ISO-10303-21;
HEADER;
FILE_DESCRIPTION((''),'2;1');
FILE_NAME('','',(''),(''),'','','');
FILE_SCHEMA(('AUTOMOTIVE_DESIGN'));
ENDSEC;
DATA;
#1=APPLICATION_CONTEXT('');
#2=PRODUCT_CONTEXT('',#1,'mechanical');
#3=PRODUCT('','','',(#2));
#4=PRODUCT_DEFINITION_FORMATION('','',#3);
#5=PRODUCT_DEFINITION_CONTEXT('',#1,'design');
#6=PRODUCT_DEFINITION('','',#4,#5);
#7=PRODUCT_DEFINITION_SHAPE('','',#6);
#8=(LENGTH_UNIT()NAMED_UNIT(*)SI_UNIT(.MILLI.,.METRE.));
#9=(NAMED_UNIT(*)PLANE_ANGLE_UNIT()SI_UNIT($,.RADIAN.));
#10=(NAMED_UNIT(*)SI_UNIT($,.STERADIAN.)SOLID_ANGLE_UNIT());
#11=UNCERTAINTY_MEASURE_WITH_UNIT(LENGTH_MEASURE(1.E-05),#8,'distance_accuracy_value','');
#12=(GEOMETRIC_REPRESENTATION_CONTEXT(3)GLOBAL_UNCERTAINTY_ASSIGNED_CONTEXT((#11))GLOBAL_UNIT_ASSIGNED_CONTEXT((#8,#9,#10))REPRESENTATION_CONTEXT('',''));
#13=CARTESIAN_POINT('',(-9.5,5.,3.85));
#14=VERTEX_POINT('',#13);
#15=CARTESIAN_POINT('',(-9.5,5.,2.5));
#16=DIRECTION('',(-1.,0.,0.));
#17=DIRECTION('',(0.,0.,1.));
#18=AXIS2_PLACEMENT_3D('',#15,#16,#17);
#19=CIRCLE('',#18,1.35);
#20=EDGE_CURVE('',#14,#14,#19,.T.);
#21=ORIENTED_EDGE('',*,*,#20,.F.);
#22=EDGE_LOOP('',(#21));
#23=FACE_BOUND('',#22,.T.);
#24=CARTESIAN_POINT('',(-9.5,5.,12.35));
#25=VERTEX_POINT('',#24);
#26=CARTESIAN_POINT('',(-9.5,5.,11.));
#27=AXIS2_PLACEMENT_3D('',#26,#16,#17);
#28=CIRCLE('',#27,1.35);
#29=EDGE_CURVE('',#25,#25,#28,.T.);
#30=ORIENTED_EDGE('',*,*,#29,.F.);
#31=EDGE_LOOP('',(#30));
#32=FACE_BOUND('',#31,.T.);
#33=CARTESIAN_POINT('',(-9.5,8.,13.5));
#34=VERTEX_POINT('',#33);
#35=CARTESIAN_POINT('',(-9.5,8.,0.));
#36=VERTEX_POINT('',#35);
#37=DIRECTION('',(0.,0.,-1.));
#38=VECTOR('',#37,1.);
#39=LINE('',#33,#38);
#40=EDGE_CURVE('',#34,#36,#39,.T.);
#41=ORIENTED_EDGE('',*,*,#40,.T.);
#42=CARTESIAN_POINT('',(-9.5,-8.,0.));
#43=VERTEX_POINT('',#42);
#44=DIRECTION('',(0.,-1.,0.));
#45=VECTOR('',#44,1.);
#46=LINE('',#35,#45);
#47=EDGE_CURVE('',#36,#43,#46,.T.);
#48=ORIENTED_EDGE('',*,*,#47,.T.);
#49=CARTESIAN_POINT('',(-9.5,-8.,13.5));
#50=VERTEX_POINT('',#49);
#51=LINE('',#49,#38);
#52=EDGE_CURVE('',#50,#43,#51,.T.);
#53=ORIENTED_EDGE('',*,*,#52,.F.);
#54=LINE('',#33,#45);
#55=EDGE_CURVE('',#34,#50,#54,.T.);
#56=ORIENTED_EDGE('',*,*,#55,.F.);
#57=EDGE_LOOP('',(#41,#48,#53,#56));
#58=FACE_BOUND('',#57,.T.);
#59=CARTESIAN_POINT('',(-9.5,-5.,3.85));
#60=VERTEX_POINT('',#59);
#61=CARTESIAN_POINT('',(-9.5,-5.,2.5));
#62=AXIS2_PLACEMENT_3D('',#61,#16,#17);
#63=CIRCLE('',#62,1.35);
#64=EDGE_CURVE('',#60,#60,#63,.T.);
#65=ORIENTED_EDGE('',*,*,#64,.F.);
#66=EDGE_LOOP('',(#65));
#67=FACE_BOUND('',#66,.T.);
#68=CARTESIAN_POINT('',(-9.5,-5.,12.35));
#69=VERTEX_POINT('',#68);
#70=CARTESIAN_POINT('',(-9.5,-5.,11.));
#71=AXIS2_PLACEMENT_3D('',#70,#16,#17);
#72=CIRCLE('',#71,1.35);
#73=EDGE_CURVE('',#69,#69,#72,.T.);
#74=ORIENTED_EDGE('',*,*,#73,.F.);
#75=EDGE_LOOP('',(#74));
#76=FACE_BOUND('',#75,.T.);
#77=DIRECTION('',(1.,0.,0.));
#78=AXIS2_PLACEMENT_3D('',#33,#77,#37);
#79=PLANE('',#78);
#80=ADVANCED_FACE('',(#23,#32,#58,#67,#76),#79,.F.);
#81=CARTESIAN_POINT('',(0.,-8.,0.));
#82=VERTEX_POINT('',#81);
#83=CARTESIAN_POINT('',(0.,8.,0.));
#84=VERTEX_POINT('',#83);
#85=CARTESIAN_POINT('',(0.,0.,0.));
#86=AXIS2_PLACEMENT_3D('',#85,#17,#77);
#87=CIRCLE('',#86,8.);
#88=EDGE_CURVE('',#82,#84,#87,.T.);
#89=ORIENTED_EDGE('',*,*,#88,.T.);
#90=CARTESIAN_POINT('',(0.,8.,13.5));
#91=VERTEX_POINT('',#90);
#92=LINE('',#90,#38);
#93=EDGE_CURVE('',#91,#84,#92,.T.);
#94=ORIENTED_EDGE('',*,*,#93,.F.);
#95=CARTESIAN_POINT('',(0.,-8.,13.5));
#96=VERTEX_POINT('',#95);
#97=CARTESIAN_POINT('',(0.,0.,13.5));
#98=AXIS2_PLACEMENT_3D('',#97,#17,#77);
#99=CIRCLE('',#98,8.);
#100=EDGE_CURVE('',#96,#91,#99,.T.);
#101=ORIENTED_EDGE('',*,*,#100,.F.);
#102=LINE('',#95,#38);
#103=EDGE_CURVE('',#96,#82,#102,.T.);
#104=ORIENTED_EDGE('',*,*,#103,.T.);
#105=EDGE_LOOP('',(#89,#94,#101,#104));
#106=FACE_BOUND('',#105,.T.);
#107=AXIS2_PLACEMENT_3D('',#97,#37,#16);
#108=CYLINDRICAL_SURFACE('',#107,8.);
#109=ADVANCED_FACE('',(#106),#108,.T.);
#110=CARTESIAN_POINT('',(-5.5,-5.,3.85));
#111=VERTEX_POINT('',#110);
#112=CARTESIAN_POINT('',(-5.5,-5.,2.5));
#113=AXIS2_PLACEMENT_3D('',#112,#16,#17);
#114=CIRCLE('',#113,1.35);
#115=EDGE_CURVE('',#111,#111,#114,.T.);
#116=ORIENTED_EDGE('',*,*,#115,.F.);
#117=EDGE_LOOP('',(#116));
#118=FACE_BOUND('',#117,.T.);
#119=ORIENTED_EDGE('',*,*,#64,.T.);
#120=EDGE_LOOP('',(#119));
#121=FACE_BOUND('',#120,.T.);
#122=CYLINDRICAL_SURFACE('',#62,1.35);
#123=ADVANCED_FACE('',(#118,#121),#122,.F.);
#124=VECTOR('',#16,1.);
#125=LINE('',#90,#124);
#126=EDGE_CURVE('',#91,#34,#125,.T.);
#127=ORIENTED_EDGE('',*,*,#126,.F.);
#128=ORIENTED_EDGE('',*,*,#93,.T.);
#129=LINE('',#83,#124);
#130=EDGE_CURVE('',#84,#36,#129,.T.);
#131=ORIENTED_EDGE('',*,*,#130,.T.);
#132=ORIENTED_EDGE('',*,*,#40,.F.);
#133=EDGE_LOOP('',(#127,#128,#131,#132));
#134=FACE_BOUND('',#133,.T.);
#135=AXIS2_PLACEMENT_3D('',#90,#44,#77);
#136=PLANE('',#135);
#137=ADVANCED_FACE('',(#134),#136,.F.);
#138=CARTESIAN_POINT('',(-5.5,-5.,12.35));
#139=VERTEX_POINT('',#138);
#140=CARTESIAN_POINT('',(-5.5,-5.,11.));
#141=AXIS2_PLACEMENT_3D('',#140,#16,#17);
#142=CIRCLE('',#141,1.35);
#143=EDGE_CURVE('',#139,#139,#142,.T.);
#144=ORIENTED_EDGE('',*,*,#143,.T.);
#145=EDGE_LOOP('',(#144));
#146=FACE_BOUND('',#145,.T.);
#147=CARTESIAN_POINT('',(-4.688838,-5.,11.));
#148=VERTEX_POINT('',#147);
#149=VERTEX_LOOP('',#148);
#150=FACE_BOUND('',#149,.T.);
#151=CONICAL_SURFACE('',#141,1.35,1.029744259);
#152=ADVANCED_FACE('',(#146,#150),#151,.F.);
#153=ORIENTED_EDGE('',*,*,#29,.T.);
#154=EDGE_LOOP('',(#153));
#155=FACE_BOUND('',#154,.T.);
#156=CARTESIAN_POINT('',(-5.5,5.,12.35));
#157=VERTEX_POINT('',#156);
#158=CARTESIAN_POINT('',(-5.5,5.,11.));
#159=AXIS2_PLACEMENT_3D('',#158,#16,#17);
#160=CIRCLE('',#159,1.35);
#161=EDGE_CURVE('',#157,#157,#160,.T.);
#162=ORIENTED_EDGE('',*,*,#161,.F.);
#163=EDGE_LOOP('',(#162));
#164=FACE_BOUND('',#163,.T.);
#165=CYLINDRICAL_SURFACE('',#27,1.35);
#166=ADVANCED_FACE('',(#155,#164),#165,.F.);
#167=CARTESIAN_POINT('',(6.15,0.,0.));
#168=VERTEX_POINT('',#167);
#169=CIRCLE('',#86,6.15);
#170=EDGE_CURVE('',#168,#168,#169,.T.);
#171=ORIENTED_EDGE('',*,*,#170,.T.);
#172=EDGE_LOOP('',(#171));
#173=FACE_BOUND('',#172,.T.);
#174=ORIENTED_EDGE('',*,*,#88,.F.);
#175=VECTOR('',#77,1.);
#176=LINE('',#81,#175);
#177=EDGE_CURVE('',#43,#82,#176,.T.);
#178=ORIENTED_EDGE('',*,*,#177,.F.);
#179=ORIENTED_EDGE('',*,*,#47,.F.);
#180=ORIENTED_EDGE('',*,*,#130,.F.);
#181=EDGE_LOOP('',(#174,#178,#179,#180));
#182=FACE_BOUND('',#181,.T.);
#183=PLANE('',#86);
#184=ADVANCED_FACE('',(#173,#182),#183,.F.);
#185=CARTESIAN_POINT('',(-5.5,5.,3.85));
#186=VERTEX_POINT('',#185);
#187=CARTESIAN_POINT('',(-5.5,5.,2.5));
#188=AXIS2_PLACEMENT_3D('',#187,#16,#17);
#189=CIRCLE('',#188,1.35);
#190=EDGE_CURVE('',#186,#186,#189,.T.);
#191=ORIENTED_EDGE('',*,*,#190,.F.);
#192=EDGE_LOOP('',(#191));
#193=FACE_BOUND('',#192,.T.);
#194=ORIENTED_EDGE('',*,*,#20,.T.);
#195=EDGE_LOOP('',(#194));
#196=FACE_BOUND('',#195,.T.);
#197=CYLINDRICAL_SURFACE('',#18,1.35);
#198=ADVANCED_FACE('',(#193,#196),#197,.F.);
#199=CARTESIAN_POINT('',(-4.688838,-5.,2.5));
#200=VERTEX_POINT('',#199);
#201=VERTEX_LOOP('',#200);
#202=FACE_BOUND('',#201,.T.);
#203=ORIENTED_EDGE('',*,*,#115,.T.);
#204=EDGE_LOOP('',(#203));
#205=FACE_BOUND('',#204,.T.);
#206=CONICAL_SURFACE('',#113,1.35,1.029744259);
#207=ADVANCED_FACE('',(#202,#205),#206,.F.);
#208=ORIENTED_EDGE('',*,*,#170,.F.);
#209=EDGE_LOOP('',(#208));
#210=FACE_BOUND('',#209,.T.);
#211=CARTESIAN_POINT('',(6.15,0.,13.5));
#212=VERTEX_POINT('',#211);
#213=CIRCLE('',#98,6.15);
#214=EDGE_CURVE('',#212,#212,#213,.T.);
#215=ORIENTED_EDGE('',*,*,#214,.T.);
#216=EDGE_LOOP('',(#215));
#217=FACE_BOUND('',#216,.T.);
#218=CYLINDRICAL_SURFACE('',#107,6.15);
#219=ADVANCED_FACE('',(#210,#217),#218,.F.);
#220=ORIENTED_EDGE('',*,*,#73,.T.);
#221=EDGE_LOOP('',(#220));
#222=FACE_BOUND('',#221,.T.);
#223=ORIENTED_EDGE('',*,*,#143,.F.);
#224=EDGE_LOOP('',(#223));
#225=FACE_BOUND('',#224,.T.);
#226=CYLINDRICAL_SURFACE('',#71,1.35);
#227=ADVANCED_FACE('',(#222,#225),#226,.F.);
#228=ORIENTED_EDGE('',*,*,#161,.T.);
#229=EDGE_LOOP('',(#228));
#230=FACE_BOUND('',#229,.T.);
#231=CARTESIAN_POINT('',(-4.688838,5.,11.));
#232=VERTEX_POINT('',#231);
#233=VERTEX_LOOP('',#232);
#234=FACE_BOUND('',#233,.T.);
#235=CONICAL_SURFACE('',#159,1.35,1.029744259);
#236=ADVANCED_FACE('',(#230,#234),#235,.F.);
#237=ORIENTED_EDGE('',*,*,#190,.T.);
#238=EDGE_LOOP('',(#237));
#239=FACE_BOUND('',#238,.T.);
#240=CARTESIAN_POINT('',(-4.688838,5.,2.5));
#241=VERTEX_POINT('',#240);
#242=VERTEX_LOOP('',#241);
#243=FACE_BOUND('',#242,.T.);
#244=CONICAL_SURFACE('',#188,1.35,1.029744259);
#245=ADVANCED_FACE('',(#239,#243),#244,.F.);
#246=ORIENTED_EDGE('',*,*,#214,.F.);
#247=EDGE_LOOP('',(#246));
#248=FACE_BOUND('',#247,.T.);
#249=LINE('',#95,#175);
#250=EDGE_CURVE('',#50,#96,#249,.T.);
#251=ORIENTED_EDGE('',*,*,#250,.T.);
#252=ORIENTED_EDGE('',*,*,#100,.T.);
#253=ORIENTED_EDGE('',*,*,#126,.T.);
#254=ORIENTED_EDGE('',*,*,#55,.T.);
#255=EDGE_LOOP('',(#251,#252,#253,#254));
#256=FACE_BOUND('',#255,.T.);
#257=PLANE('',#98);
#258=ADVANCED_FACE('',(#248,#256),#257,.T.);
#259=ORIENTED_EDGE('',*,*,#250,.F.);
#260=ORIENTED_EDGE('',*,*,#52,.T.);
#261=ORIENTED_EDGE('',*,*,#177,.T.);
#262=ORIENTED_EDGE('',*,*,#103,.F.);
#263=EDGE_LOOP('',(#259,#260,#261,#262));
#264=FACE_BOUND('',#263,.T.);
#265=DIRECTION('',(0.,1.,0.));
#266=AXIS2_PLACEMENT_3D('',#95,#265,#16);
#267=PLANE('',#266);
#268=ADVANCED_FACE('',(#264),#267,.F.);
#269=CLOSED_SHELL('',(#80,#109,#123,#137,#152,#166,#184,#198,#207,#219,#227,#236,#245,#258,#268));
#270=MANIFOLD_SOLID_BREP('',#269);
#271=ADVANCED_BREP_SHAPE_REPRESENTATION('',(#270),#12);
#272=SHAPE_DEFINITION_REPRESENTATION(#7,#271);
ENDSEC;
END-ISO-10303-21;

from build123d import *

# Parameters (mm, degrees)
SKETCH1_R                      = 6.15
BOSS_EXTRUDE1_DEPTH            = 13.5
F_2_7_2_7_DIAMETER_HOLE1_D     = 2.7
F_2_7_2_7_DIAMETER_HOLE1_DEPTH = 4
F_2_7_2_7_DIAMETER_HOLE1_TIP   = 0.811161836


with BuildPart() as part:
    # Sketch1 → Boss-Extrude1 (new body)
    with BuildSketch(Plane.XY):
        with BuildLine():
            Line((-9.5, 8), (-9.5, -8))
            Line((-9.5, -8), (0, -8))
            ThreePointArc((0, -8), (8, 0), (0, 8))
            Line((0, 8), (-9.5, 8))
        make_face()
        Circle(SKETCH1_R, mode=Mode.SUBTRACT)
    extrude(amount=BOSS_EXTRUDE1_DEPTH)

    # Ø2.7 (2.7) Diameter Hole1
    with Locations(Plane.ZY.offset(9.5)):
        with Locations((2.5, -5), (2.5, 5), (11, 5), (11, -5)):
            Hole(F_2_7_2_7_DIAMETER_HOLE1_D / 2, depth=F_2_7_2_7_DIAMETER_HOLE1_DEPTH)
            with Locations((0, 0, -(F_2_7_2_7_DIAMETER_HOLE1_DEPTH + F_2_7_2_7_DIAMETER_HOLE1_TIP / 2))):  # 118° drill point
                Cone(0, F_2_7_2_7_DIAMETER_HOLE1_D / 2, F_2_7_2_7_DIAMETER_HOLE1_TIP, mode=Mode.SUBTRACT)


solid = part.part
